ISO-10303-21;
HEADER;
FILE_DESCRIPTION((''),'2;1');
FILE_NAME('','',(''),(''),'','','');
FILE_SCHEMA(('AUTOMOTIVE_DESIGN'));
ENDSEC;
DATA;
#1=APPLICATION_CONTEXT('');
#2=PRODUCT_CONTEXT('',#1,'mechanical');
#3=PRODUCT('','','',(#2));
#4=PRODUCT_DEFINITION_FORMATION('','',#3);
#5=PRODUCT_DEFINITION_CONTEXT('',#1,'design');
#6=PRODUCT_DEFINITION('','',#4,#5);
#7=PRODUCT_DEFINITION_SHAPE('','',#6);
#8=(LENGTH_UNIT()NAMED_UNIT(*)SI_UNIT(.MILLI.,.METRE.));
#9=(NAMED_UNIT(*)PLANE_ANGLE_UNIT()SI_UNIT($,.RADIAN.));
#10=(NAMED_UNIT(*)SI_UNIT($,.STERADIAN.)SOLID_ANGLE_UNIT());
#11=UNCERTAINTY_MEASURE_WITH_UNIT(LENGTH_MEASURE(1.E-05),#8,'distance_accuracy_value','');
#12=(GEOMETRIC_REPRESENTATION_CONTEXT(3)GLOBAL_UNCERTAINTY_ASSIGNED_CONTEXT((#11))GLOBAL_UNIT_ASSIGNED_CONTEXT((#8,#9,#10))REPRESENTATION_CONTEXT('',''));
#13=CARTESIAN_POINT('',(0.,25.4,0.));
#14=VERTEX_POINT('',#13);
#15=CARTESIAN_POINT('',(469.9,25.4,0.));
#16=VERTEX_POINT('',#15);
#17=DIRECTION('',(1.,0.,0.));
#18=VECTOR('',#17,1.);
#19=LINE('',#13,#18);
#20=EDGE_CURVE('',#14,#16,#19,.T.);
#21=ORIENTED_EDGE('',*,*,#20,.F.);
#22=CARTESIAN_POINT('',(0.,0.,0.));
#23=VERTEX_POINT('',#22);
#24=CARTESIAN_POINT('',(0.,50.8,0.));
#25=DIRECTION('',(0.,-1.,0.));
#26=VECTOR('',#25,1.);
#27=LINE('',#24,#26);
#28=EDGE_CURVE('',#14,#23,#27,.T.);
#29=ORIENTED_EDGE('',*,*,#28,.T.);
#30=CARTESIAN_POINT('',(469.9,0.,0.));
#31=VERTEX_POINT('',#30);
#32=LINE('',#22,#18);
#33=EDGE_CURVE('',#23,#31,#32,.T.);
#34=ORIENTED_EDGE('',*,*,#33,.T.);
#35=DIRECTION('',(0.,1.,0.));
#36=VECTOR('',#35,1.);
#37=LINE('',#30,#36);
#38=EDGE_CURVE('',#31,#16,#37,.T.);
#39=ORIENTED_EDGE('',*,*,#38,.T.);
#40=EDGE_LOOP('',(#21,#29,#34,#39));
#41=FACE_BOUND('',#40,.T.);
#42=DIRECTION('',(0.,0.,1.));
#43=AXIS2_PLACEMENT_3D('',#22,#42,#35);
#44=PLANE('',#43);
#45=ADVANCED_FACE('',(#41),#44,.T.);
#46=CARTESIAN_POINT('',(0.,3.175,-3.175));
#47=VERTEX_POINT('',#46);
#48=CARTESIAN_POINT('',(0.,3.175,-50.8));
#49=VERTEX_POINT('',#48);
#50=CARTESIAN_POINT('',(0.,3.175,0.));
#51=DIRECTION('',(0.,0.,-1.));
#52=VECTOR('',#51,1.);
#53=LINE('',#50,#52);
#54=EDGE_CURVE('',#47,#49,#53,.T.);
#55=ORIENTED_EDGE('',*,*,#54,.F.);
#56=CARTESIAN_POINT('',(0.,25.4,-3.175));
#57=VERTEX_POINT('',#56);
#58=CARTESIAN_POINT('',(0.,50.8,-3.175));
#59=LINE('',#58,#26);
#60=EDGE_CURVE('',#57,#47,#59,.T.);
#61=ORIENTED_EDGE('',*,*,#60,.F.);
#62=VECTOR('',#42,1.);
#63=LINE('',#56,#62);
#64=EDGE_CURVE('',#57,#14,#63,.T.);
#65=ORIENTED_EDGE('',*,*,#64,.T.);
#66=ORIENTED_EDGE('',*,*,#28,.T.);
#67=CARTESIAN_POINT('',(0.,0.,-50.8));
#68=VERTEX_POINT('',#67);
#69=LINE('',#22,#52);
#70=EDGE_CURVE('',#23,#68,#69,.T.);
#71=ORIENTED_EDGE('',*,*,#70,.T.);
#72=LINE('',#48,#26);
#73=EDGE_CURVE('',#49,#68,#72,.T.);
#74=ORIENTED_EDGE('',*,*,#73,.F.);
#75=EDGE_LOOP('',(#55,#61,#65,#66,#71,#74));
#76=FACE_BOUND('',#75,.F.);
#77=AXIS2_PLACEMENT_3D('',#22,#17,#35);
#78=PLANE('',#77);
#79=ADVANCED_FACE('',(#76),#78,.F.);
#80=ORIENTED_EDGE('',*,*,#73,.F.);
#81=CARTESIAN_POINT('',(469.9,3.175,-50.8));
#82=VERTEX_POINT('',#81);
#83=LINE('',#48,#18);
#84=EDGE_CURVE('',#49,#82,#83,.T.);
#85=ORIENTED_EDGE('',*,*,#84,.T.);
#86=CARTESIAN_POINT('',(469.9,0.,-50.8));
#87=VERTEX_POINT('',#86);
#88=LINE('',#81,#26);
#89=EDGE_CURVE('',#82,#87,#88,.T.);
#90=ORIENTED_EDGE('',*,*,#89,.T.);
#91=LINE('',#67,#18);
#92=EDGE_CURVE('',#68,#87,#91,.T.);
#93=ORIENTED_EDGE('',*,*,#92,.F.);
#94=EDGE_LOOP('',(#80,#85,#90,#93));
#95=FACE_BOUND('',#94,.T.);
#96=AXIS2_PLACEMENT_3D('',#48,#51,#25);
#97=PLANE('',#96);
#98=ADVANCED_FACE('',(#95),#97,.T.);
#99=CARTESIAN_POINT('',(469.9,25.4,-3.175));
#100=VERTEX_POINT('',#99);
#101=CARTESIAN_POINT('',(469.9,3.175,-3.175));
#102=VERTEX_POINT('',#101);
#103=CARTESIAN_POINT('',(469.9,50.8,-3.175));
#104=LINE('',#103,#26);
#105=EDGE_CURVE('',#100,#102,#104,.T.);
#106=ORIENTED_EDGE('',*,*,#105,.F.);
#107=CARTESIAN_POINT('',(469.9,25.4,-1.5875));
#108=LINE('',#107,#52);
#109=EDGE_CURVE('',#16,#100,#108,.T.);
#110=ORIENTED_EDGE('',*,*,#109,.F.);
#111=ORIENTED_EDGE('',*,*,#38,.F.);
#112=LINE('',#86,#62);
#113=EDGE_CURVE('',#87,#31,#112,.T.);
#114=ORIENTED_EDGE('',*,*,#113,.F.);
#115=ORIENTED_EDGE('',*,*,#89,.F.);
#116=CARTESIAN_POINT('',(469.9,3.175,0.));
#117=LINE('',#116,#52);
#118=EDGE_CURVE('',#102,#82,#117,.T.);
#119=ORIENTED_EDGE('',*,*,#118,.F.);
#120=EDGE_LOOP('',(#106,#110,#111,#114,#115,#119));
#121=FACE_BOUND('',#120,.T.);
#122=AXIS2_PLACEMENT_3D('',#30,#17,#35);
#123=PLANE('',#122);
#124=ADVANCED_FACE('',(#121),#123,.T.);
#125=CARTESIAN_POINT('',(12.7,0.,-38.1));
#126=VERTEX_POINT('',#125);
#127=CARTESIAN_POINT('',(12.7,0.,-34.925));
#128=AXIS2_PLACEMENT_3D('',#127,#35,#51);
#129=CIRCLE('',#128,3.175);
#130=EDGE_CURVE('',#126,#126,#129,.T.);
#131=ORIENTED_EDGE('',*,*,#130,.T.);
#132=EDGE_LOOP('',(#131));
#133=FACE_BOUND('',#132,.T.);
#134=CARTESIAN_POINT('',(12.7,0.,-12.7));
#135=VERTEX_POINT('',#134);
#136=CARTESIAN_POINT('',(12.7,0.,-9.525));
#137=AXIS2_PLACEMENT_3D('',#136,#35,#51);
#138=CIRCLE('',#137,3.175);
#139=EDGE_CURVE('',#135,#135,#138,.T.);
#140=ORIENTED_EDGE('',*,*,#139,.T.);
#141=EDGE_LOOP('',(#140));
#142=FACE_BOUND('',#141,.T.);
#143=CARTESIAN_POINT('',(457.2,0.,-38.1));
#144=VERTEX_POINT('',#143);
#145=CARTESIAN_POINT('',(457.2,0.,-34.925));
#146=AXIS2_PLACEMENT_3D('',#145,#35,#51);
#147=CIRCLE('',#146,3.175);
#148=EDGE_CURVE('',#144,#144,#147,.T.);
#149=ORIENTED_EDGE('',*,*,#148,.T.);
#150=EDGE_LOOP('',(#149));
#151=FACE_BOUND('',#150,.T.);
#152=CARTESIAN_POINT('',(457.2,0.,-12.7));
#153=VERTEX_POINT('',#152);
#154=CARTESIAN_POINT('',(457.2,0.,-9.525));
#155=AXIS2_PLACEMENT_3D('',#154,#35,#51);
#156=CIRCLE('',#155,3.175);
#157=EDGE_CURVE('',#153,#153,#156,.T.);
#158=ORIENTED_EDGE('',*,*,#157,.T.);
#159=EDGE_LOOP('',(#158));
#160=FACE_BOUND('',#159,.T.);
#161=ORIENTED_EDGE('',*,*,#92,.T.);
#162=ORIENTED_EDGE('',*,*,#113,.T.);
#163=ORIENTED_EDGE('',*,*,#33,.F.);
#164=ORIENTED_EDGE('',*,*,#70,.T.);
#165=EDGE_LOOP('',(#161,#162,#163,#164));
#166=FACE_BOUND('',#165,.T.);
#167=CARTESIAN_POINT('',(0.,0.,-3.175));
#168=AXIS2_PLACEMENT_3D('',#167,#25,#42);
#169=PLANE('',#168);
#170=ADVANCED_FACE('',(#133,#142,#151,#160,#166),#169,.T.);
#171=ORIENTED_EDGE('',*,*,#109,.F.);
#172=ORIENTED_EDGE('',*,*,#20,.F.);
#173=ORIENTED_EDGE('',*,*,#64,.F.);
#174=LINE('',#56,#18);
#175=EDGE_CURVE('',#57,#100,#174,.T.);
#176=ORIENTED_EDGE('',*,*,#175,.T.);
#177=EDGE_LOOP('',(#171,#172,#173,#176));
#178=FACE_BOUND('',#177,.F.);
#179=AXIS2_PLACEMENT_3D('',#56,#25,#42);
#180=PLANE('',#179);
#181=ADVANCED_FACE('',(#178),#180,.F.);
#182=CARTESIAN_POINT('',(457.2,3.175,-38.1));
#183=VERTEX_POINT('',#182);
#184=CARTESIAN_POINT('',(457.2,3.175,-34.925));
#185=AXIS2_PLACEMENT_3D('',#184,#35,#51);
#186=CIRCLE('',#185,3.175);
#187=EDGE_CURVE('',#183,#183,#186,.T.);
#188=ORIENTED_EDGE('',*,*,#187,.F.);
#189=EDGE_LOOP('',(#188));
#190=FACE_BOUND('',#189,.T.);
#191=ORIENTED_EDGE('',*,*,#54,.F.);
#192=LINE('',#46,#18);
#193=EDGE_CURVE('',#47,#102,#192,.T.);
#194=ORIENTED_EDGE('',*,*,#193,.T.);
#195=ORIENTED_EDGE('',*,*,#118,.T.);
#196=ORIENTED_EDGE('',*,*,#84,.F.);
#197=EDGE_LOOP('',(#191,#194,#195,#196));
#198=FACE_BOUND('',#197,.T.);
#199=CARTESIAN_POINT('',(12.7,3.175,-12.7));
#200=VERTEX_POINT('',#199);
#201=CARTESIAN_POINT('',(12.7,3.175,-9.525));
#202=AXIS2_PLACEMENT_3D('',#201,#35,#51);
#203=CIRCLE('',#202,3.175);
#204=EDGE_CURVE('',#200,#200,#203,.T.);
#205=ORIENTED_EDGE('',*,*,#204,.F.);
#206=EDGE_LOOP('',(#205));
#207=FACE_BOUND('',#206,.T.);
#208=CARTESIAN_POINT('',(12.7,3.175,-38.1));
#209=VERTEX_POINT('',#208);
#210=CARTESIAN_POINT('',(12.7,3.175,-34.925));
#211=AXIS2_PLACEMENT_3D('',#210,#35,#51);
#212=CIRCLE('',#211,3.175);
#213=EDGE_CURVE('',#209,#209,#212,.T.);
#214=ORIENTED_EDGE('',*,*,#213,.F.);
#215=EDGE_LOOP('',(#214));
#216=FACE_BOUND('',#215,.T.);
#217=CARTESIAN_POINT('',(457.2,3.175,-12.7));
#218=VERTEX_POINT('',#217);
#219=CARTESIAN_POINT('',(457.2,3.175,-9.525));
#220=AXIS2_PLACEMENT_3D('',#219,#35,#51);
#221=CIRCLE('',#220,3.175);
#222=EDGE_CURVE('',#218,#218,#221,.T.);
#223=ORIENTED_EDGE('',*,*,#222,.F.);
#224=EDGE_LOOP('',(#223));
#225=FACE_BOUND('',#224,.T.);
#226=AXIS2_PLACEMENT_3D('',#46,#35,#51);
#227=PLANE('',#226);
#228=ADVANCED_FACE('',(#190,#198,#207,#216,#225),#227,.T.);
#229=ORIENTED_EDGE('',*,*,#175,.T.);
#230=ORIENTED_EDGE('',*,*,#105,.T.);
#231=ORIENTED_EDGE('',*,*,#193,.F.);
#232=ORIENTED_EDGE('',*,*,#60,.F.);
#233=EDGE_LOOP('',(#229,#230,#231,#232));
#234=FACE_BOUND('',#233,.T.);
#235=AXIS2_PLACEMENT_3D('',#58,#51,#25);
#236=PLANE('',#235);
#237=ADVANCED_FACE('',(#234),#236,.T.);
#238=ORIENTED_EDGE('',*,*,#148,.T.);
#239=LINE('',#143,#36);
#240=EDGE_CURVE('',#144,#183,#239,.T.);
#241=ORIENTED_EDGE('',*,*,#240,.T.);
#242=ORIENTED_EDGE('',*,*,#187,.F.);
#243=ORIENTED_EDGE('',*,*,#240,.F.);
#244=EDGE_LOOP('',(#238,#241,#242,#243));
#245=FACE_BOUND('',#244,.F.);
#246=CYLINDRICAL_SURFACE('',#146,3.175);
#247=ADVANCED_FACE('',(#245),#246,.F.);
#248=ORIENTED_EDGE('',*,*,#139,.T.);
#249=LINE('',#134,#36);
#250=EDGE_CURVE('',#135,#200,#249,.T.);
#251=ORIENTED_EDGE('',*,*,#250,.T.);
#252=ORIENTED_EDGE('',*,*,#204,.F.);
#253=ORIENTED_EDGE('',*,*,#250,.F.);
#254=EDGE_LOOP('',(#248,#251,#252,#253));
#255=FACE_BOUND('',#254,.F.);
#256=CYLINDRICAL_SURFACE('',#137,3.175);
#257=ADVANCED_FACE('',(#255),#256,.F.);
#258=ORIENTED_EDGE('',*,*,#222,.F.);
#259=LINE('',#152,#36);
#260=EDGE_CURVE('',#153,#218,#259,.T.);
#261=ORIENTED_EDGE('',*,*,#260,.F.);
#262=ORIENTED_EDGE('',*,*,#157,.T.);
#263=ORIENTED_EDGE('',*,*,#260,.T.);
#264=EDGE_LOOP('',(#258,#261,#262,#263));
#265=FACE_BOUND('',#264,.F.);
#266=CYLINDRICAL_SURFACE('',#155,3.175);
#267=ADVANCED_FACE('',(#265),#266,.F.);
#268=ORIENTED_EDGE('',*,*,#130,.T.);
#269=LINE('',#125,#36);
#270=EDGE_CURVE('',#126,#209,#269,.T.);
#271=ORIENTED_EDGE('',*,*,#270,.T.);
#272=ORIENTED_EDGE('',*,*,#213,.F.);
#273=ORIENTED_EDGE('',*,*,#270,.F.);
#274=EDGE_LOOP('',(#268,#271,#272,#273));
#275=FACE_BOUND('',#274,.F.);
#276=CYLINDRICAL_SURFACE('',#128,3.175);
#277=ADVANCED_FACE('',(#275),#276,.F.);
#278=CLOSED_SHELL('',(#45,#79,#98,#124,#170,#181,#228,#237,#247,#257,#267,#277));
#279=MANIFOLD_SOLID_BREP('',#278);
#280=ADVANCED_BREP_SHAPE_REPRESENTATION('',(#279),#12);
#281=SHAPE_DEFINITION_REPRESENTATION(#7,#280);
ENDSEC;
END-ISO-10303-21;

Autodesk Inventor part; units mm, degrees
ref_plane "YZ Plane" through (0, 0, 0) normal (1, 0, 0) x (0, 1, 0)
ref_plane "XZ Plane" through (0, 0, 0) normal (0, 1, 0) x (-1, 0, 0)
ref_plane "XY Plane" through (0, 0, 0) normal (0, 0, 1) x (1, 0, 0)
sketch "Sketch1" plane through (0, 0, 0) normal (1, 0, 0) x (0, 1, 0)
  line L0 (0, 0) -> (3.175, 0)
  line L1 (3.175, 0) -> (3.175, -50.8)
  line L2 (3.175, -50.8) -> (0, -50.8)
  line L3 (0, -50.8) -> (0, 0)
  line L4 (0, 0) -> (50.8, 0)
  line L5 (50.8, 0) -> (50.8, -3.175)
  line L6 (50.8, -3.175) -> (0, -3.175)
  line L7 (0, -3.175) -> (0, 0)
  dimension "d0" = 3.175
  dimension "d1" = 50.8
  dimension "d2" = 50.8
  dimension "d3" = 3.175
extrude "Extrusion1" add sketch "Sketch1" along normal blind 469.9
sketch "Sketch2" plane through (0, 0, -50.8) normal (0, -1, 0) x (1, 0, 0)
  line L0 (469.9, 50.8) -> (469.9, 0) projected
  line L1 (0, 50.8) -> (469.9, 50.8) projected
  line L2 (0, 50.8) -> (0, 0) projected
  line L3 (0, 0) -> (469.9, 0) projected
  point P0 (12.7, 41.275)
  point P1 (12.7, 15.875)
  point P2 (457.2, 41.275)
  point P3 (457.2, 15.875)
  dimension "d6" = 12.7
  dimension "d7" = 9.525
  dimension "d8" = 15.875
  dimension "d9" = 12.7
  dimension "d10" = 12.7
  dimension "d11" = 9.525
  dimension "d12" = 12.7
  dimension "d13" = 15.875
hole "Hole1" at (12.7, 0, -9.525) at (12.7, 0, -34.925) at (457.2, 0, -9.525) at (457.2, 0, -34.925) direction (0, 1, 0) diameter 6.35 end through all
sketch "Sketch3" plane through (0, 0, 0) normal (-1, 0, 0) x (0, 0, 1)
  line L0 (0, 0) -> (-50.8, 0) projected
  line L1 (0, 50.8) -> (0, 0) projected
  line L2 (-3.175, 50.8) -> (0, 50.8) projected
  line L3 (-3.175, 3.175) -> (-3.175, 50.8) projected
  line L4 (-50.8, 3.175) -> (-3.175, 3.175) projected
  line L5 (-50.8, 0) -> (-50.8, 3.175) projected
  line L6 (0, 50.8) -> (-3.175, 50.8)
  line L7 (-3.175, 50.8) -> (-3.175, 25.4)
  line L8 (-3.175, 25.4) -> (0, 25.4)
  line L9 (0, 25.4) -> (0, 50.8)
  dimension "d21" = 3.175
  dimension "d22" = 25.4
extrude "Extrusion2" cut sketch "Sketch3" against normal blind 660.4 contours L8 L3 L2 L1
properties part number "2x2 angle horizontal"
